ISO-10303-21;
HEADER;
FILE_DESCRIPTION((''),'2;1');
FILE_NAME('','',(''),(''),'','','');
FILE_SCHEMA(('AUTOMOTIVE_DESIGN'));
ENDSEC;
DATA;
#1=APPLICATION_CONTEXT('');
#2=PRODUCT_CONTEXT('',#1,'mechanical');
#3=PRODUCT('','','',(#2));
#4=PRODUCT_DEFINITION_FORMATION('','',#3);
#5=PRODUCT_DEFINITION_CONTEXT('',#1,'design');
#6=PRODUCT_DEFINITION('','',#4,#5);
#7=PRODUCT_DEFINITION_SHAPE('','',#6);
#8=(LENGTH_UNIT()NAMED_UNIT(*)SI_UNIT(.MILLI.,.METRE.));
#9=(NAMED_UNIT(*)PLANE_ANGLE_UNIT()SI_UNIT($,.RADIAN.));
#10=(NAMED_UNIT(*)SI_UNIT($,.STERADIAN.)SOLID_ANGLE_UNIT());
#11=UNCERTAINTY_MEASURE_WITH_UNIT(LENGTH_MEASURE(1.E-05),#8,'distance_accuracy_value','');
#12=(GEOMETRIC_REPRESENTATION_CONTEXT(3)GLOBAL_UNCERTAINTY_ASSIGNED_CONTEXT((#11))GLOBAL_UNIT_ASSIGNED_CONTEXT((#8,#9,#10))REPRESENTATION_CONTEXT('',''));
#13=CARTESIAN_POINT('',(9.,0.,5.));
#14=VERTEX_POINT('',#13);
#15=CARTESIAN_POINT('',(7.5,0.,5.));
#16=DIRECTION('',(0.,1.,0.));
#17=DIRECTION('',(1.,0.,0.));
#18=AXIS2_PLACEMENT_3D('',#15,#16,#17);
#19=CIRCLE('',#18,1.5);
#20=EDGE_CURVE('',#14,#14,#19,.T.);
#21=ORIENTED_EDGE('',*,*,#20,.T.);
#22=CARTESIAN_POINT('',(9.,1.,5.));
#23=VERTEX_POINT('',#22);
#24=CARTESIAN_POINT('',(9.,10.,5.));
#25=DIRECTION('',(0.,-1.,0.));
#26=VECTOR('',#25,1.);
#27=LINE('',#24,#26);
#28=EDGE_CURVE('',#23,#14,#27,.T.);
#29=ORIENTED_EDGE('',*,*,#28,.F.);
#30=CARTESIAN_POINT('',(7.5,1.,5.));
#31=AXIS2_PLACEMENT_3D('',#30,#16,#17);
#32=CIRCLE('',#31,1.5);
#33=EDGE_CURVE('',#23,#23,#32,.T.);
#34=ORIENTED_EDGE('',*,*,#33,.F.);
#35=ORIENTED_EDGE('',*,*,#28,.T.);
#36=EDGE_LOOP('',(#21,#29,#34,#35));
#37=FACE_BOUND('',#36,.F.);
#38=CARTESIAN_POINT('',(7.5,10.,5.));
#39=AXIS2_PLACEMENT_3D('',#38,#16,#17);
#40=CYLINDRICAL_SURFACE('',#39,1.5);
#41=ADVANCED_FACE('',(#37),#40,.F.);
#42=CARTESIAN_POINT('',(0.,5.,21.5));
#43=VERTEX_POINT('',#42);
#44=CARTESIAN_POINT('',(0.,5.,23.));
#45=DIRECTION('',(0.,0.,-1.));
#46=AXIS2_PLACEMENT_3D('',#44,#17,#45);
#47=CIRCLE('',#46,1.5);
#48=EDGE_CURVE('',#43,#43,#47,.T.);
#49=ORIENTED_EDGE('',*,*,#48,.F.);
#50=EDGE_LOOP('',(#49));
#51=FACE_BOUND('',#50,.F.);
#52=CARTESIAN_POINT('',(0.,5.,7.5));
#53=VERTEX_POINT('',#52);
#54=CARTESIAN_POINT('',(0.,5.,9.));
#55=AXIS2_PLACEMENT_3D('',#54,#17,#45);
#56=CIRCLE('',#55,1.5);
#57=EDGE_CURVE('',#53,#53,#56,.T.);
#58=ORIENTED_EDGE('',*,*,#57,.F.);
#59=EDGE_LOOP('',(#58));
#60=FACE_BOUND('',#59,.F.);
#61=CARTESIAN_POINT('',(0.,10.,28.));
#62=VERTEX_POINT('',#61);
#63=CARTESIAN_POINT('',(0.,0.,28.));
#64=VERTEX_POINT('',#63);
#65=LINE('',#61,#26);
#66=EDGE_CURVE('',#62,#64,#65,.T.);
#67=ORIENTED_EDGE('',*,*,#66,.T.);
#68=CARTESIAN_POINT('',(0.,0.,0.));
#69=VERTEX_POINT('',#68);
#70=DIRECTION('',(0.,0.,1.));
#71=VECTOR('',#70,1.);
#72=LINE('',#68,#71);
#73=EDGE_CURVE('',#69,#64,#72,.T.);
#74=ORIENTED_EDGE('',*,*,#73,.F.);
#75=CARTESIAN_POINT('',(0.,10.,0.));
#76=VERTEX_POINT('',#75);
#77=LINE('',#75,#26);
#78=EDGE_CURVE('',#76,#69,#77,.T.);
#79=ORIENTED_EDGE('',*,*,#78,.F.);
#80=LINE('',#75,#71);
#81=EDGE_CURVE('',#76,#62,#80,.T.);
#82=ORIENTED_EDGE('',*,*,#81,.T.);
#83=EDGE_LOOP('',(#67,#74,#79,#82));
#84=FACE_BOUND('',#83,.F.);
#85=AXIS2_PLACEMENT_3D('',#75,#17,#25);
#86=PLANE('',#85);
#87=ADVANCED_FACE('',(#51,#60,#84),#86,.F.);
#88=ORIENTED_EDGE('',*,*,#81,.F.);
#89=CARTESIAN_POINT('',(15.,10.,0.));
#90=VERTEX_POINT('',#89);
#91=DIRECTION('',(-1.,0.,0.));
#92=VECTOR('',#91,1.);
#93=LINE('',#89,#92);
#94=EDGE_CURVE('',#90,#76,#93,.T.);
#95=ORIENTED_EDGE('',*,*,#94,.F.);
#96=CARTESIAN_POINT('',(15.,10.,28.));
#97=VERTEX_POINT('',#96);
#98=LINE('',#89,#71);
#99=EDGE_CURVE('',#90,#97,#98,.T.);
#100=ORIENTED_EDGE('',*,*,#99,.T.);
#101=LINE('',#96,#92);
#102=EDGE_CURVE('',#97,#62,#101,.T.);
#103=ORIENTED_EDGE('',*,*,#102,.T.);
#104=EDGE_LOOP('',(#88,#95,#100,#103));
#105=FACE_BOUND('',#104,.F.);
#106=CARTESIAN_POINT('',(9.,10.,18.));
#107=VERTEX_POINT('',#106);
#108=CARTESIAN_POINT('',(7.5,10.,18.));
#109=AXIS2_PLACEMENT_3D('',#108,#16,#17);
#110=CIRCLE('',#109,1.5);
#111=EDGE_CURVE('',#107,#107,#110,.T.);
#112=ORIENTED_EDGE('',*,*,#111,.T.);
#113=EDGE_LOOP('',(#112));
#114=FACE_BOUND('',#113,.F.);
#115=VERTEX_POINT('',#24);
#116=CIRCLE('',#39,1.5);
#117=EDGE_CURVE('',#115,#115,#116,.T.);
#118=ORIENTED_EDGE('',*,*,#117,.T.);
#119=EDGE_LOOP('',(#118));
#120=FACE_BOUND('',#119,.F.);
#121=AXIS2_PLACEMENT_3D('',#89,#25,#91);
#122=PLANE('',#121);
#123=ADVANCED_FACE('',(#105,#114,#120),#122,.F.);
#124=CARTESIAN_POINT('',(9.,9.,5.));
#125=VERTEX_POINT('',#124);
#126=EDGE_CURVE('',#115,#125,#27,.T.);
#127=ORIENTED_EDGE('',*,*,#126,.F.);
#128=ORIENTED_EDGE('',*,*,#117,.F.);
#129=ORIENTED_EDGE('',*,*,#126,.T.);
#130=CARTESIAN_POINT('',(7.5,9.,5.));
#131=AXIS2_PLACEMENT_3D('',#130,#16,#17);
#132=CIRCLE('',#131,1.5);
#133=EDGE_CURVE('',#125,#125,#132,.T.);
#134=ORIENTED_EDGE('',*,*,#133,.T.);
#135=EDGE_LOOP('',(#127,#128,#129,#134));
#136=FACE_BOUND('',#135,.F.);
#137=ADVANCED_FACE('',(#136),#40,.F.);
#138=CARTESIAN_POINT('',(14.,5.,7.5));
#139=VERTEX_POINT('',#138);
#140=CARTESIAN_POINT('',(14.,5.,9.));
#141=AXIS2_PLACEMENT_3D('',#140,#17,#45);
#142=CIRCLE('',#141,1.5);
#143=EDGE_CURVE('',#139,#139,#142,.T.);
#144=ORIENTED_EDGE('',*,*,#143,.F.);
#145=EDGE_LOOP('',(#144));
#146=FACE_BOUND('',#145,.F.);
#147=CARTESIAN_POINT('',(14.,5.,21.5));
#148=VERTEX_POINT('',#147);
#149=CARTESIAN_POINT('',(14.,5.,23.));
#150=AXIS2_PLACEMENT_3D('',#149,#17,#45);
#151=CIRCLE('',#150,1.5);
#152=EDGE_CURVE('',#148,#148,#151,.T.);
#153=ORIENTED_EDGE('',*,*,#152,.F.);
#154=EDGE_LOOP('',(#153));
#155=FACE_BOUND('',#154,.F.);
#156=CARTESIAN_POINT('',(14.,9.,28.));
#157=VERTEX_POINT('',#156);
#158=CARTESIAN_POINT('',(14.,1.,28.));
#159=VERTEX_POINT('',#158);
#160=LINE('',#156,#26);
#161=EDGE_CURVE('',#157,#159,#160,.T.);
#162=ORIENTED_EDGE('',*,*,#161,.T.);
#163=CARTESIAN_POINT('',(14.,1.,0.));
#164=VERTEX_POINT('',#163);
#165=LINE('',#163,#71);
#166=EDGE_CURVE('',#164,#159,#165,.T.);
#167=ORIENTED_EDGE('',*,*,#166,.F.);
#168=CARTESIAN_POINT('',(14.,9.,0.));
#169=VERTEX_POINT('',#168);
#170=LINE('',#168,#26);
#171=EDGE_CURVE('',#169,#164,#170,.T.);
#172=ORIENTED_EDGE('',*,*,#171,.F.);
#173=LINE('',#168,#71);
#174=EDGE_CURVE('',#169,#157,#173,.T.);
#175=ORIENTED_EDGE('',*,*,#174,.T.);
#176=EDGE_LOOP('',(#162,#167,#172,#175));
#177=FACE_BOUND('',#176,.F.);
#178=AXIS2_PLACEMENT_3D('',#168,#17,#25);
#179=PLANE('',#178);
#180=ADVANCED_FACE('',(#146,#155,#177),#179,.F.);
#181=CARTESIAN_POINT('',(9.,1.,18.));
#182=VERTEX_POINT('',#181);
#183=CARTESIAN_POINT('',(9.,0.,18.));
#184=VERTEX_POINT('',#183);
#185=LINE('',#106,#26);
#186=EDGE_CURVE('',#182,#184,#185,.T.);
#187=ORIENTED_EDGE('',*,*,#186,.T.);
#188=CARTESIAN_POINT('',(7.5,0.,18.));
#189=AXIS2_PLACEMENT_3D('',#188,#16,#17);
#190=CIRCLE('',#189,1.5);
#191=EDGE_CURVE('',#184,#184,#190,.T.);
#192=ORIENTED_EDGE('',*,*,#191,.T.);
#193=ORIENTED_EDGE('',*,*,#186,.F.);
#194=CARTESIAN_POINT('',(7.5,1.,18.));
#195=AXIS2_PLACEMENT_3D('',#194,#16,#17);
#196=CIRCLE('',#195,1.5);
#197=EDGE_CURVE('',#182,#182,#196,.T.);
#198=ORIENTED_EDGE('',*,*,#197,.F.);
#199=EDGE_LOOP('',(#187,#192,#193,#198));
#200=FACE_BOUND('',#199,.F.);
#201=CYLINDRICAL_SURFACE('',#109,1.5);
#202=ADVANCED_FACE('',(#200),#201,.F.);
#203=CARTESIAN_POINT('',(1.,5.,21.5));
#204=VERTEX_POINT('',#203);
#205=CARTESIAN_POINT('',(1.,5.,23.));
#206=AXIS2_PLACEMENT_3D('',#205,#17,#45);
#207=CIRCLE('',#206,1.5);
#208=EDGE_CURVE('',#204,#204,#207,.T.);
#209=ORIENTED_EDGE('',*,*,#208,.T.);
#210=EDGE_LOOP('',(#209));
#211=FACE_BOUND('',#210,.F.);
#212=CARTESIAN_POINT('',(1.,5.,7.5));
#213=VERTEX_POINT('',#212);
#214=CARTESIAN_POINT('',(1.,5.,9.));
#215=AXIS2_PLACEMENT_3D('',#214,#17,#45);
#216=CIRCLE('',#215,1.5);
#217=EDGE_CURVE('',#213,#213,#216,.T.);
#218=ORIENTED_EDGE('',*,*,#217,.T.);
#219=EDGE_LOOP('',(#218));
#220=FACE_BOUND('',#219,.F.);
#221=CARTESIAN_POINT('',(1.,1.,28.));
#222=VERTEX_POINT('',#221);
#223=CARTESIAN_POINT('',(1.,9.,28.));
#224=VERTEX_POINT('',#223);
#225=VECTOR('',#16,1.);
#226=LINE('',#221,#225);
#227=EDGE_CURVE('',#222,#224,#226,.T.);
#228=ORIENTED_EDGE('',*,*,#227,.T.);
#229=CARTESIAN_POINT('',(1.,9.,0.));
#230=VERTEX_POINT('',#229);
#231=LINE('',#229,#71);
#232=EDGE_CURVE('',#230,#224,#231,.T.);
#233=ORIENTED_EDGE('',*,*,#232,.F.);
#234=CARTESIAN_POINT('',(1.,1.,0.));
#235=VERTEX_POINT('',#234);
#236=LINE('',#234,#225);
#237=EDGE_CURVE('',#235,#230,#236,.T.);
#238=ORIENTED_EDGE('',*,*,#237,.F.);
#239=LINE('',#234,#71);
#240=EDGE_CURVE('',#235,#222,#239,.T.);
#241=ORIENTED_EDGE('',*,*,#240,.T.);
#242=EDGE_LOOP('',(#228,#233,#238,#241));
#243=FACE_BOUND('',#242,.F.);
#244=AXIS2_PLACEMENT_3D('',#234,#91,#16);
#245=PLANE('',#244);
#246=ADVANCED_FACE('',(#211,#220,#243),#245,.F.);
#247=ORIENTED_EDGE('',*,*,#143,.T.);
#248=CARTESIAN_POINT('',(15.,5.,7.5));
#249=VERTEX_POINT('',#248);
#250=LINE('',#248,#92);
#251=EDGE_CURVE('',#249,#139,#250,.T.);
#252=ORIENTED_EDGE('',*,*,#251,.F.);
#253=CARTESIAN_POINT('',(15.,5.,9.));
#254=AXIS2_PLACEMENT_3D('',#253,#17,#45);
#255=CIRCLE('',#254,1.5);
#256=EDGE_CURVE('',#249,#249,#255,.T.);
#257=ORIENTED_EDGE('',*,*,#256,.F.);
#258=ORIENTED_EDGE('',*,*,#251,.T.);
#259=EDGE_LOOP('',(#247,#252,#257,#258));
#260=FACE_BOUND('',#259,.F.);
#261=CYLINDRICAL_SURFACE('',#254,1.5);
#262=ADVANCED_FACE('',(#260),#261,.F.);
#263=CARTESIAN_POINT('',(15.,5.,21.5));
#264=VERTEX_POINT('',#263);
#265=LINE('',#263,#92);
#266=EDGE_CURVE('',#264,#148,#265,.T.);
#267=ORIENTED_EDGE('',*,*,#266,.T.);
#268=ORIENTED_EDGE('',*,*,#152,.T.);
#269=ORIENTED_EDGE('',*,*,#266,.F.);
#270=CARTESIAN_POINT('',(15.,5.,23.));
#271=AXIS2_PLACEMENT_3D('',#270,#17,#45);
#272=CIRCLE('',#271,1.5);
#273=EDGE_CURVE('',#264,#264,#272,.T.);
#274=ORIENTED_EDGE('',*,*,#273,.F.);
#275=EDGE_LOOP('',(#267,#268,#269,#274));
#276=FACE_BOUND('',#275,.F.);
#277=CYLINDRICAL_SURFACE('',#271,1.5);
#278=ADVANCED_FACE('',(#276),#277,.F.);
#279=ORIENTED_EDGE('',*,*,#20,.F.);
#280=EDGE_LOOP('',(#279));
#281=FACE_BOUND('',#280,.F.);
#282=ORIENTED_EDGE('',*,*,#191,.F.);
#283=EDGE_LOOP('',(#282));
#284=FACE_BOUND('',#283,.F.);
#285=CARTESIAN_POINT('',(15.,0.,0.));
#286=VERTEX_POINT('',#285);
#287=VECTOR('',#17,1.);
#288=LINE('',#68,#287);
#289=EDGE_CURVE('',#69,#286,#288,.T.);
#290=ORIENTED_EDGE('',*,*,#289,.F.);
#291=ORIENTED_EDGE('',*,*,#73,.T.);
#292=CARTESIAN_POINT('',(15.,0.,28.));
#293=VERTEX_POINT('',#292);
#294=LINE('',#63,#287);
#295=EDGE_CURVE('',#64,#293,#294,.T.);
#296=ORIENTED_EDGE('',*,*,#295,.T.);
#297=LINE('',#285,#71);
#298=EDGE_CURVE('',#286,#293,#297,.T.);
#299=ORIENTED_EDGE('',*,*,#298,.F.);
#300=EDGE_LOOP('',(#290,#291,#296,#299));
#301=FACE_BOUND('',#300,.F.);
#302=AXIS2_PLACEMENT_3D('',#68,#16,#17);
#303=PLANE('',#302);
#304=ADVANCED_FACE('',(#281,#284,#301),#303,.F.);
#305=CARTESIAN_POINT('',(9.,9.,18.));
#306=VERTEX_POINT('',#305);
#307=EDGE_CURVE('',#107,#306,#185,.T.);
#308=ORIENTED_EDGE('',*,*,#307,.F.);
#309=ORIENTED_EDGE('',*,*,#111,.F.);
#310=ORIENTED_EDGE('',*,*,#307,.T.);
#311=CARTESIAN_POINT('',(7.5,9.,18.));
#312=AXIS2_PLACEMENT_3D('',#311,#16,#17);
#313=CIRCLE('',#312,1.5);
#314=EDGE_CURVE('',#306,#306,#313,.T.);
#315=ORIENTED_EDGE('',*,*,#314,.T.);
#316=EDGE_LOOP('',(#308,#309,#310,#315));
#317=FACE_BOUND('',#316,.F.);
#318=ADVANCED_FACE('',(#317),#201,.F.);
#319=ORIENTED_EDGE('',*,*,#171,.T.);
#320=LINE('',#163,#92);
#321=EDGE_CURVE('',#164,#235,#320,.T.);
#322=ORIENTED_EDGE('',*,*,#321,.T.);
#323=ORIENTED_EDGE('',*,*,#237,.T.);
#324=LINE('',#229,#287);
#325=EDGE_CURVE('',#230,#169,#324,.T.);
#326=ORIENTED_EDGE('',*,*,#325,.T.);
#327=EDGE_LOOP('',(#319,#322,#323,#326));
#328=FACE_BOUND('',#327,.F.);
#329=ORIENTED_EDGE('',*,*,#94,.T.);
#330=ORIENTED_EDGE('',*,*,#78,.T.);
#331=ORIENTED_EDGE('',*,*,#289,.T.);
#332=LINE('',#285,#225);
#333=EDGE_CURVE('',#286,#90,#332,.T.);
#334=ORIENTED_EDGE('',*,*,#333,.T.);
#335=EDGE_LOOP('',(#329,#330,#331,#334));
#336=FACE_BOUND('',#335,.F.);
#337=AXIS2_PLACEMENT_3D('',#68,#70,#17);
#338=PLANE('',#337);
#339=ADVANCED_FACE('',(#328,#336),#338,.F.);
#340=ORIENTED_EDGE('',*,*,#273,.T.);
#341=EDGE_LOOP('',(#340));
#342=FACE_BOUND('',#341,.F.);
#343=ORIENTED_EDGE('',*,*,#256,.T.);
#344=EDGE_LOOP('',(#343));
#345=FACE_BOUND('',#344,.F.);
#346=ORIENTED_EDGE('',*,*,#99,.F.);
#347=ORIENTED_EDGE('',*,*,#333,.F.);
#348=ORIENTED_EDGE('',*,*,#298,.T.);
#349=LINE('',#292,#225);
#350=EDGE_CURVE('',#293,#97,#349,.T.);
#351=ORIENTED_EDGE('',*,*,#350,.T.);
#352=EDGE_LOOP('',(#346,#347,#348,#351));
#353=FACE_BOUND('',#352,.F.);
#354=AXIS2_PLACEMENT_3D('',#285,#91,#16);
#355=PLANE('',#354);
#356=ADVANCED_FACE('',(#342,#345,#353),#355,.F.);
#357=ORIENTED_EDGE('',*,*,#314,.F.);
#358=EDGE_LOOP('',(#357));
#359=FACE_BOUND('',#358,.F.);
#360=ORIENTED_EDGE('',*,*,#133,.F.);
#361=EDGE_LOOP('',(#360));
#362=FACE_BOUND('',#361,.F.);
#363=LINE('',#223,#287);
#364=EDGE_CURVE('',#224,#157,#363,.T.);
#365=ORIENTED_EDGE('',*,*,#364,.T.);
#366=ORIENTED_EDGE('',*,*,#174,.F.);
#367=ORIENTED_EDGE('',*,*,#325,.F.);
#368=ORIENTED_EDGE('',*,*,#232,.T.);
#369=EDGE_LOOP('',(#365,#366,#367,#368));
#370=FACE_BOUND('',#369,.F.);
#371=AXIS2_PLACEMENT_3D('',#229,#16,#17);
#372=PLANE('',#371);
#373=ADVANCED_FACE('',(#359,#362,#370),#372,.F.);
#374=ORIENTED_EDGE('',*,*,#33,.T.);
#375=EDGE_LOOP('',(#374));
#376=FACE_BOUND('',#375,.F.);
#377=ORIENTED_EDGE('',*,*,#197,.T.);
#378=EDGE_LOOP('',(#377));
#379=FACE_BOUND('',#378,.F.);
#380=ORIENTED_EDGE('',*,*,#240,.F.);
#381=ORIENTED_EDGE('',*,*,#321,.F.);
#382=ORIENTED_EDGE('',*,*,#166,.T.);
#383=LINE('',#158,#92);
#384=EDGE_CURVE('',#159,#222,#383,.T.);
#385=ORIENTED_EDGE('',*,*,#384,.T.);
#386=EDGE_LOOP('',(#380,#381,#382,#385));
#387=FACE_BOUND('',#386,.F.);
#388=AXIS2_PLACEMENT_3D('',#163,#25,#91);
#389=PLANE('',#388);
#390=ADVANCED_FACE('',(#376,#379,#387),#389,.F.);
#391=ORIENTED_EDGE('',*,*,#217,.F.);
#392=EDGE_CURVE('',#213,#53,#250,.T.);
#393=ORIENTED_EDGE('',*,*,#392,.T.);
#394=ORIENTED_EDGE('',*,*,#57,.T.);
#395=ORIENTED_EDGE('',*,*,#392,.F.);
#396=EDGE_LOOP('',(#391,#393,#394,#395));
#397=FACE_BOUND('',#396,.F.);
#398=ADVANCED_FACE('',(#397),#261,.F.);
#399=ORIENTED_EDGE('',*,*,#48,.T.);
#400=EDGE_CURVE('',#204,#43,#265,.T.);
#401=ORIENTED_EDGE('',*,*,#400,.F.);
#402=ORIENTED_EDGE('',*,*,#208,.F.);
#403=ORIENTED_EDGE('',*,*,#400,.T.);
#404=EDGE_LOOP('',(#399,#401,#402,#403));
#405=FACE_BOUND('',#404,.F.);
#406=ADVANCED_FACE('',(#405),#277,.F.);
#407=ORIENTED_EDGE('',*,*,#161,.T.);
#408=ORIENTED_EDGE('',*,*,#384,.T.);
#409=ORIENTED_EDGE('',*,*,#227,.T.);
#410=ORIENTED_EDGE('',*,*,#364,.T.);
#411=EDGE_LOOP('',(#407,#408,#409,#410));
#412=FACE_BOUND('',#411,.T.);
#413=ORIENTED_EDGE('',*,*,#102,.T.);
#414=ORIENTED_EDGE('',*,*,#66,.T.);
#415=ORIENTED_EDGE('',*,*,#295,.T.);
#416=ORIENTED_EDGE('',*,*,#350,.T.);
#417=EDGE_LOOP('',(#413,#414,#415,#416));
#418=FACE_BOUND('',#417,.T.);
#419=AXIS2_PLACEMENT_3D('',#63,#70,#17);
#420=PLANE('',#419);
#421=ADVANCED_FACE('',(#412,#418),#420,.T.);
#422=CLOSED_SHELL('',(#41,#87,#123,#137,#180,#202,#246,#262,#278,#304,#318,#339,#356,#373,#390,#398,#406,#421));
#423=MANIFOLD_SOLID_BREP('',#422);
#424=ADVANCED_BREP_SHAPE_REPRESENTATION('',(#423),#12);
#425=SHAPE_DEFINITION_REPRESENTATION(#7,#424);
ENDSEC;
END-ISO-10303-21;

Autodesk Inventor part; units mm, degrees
ref_plane "YZ Plane" through (0, 0, 0) normal (1, 0, 0) x (0, 1, 0)
ref_plane "XZ Plane" through (0, 0, 0) normal (0, 1, 0) x (-1, 0, 0)
ref_plane "XY Plane" through (0, 0, 0) normal (0, 0, 1) x (1, 0, 0)
sketch "Sketch1" plane through (0, 0, 0) normal (0, 0, 1) x (1, 0, 0)
  line L0 (0, 0) -> (15, 0)
  line L1 (15, 0) -> (15, 10)
  line L2 (15, 10) -> (0, 10)
  line L3 (0, 10) -> (0, 0)
  line L4 (1, 9) -> (14, 9)
  line L5 (14, 9) -> (14, 1)
  line L6 (14, 1) -> (1, 1)
  line L7 (1, 1) -> (1, 9)
  dimension "d0" = 15
  dimension "d1" = 10
  dimension "d2" = 13
  dimension "d3" = 8
  dimension "d4" = 1
  dimension "d5" = 1
extrude "Extrusion1" add sketch "Sketch1" along normal blind 28
sketch "Sketch2" plane through (0, 10, 0) normal (0, 1, 0) x (1, 0, 0)
  line L0 (15, 0) -> (0, 0) projected
  line L1 (0, 0) -> (0, -28) projected
  line L2 (15, -28) -> (0, -28) projected
  line L3 (15, 0) -> (15, -28) projected
  circle A0 centre (7.5, -5) radius 1.5
  circle A1 centre (7.5, -18) radius 1.5
  dimension "d8" = 3
  dimension "d9" = 3
  dimension "d10" = 7.5
  dimension "d11" = 7.5
  dimension "d12" = 5
  dimension "d13" = 10
extrude "Extrusion2" cut sketch "Sketch2" against normal up to surface (10 mm away) contours A0 | A1
sketch "Sketch3" plane through (15, 0, 0) normal (1, 0, 0) x (0, 0, -1)
  line L0 (0, 0) -> (0, 10) projected
  line L1 (0, 10) -> (-28, 10) projected
  line L2 (-28, 0) -> (-28, 10) projected
  line L3 (0, 0) -> (-28, 0) projected
  circle A0 centre (-9, 5) radius 1.5
  circle A1 centre (-23, 5) radius 1.5
  dimension "d16" = 3
  dimension "d17" = 5
  dimension "d18" = 9
  dimension "d21" = 3
  dimension "d22" = 5
  dimension "d23" = 5
extrude "Extrusion3" cut sketch "Sketch3" against normal up to surface (15 mm away) contours A0 | A1
properties part number "profile3" material "Aluminum 6061, Welded"
